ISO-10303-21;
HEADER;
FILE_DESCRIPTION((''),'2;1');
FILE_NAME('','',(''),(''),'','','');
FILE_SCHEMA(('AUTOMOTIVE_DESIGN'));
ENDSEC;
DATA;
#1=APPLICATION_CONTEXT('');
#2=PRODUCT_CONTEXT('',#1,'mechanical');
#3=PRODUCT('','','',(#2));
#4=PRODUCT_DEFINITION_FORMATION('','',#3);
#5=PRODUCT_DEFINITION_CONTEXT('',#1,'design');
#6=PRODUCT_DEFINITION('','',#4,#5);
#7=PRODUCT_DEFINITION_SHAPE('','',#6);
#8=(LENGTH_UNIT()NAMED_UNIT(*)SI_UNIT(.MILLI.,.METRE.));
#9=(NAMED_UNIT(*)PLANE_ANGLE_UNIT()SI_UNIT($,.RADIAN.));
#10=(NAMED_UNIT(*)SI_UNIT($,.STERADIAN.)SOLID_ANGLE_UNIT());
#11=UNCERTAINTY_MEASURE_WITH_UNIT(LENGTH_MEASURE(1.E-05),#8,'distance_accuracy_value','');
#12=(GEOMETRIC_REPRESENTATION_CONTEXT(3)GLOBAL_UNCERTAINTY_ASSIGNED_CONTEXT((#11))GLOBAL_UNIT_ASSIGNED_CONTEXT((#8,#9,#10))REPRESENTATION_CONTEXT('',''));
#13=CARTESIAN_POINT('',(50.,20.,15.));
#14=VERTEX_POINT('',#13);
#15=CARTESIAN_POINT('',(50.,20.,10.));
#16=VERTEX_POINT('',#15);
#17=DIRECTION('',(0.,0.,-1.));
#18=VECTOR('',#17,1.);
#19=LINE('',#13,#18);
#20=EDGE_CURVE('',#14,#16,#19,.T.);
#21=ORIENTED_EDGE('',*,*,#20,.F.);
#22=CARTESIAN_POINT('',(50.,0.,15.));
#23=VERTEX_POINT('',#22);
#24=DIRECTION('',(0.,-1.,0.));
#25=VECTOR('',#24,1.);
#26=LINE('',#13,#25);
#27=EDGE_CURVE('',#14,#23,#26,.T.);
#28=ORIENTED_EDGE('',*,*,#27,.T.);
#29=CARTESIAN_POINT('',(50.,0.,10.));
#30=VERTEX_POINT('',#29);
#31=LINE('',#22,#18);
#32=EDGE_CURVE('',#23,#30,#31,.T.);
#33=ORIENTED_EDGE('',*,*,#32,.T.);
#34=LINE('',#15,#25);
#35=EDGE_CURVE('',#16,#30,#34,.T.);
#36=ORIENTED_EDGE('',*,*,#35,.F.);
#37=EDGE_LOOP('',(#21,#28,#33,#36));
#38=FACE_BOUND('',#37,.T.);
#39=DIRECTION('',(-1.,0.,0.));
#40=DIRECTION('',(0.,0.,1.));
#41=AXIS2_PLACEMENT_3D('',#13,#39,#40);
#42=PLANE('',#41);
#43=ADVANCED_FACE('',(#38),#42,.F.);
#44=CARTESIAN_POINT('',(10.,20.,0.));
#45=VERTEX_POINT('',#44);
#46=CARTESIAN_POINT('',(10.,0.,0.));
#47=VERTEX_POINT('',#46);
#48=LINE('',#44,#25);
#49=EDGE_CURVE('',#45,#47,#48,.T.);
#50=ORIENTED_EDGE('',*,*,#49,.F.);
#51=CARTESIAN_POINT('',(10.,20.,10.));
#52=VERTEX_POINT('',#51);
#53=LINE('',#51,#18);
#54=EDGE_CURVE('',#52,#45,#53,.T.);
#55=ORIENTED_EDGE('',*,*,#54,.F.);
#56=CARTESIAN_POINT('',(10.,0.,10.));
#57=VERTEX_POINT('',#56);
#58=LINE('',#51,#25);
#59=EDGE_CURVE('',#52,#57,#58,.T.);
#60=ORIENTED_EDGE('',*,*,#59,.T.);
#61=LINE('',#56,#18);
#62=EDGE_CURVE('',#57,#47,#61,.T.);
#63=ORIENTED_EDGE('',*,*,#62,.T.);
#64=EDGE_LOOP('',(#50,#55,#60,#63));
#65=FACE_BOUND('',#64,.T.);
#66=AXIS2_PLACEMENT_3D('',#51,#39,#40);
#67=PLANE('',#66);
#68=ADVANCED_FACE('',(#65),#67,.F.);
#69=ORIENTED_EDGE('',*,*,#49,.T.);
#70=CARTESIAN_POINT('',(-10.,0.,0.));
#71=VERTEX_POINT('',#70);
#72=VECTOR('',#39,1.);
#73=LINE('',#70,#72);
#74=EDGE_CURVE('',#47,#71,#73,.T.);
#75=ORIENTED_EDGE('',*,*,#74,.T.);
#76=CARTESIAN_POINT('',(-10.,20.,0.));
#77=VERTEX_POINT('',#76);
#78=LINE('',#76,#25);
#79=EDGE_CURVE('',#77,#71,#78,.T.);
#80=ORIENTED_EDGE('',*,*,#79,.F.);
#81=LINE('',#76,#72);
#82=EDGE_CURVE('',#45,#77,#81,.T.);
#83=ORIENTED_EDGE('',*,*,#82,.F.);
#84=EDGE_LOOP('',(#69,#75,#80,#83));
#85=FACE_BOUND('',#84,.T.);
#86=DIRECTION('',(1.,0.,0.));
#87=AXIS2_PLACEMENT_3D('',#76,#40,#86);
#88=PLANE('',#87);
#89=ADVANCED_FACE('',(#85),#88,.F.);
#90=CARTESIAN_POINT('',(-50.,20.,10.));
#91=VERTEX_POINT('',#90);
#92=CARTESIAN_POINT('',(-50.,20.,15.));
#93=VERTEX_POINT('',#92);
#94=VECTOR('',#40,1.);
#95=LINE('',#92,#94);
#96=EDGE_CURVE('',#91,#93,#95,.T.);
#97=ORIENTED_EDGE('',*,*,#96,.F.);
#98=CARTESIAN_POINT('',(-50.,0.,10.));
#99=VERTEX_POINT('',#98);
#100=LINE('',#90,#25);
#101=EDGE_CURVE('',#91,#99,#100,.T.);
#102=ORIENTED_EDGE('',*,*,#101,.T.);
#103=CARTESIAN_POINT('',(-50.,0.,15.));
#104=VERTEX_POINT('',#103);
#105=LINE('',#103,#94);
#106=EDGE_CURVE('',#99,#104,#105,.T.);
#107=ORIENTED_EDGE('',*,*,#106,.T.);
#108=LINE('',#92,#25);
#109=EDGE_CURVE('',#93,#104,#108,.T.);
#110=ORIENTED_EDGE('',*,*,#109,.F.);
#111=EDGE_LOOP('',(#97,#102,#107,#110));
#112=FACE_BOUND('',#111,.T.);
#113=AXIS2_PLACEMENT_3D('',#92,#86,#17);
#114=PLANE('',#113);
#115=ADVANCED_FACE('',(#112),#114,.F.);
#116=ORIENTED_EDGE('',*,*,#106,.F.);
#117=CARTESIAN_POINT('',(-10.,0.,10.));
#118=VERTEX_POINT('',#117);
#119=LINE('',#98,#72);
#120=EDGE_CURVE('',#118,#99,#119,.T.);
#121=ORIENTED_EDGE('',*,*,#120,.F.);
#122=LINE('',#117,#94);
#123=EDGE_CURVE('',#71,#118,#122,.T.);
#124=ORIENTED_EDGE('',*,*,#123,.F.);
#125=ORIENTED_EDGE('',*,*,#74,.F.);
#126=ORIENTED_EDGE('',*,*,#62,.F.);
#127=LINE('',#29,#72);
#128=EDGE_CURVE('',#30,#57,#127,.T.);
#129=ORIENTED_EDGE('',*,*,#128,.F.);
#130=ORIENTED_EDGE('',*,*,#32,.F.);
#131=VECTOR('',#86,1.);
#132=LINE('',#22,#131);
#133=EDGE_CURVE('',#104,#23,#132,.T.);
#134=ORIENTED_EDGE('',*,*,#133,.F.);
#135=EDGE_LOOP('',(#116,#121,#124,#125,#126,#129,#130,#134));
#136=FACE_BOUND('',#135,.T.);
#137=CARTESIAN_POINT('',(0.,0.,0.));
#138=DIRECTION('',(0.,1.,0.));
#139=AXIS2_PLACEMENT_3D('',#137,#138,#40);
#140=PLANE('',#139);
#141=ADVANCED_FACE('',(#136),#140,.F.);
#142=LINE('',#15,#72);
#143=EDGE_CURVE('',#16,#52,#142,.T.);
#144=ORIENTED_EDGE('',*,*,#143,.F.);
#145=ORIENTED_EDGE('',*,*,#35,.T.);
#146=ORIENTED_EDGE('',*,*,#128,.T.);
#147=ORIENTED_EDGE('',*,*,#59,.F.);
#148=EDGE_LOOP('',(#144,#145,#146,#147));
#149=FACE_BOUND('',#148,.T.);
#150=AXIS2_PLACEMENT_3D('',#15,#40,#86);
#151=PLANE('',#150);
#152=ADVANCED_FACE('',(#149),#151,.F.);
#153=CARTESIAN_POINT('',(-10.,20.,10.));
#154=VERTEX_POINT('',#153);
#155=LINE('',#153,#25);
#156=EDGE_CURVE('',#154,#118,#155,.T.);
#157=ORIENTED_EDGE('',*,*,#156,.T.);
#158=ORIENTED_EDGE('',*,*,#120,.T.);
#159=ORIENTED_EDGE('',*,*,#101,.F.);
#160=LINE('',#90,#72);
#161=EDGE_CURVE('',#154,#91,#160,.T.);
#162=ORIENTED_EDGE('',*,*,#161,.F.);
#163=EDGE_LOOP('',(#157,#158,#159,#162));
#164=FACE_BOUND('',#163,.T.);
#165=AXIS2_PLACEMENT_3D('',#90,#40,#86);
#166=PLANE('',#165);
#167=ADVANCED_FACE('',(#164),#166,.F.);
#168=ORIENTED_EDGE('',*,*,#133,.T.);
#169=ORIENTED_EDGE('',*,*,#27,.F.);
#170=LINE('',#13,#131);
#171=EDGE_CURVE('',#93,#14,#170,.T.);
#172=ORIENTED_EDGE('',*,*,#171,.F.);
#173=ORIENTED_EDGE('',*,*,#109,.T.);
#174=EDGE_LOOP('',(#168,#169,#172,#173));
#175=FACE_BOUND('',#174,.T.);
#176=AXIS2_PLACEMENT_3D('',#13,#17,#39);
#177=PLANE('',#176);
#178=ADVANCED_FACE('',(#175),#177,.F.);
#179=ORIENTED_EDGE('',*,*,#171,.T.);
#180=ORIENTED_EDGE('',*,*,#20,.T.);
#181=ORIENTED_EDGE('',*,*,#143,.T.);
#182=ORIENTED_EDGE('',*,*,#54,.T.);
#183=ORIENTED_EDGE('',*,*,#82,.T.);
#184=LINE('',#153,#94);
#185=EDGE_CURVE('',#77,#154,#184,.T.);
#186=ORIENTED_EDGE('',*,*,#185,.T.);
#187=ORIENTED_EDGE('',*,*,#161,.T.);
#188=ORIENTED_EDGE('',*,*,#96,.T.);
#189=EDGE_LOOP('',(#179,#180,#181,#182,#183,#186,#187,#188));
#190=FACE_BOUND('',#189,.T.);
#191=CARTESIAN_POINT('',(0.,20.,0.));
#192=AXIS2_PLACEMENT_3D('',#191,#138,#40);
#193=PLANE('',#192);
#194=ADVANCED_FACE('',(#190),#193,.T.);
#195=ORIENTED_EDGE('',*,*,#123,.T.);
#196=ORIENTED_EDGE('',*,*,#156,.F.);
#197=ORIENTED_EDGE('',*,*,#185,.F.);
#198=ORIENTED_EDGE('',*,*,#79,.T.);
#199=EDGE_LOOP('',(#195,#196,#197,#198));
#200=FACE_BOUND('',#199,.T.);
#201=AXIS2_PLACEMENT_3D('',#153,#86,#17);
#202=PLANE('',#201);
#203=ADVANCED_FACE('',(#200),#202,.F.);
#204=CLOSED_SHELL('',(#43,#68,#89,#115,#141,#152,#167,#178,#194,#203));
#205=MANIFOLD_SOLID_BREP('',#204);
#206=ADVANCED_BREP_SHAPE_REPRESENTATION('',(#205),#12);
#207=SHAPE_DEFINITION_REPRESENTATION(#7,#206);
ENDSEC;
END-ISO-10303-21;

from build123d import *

# Parameters (mm, degrees)
BOSS_EXTRUDE1_DEPTH = 20


with BuildPart() as part:
    # Sketch2 → Boss-Extrude1 (new body)
    with BuildSketch(Plane(origin=(0, 0, 0), x_dir=(1, 0, 0), z_dir=(0, 1, 0))):
        Polygon((50, -15), (-50, -15), (-50, -10), (-10, -10), (-10, 0), (10, 0), (10, -10), (50, -10), align=None)
    extrude(amount=BOSS_EXTRUDE1_DEPTH)


solid = part.part
